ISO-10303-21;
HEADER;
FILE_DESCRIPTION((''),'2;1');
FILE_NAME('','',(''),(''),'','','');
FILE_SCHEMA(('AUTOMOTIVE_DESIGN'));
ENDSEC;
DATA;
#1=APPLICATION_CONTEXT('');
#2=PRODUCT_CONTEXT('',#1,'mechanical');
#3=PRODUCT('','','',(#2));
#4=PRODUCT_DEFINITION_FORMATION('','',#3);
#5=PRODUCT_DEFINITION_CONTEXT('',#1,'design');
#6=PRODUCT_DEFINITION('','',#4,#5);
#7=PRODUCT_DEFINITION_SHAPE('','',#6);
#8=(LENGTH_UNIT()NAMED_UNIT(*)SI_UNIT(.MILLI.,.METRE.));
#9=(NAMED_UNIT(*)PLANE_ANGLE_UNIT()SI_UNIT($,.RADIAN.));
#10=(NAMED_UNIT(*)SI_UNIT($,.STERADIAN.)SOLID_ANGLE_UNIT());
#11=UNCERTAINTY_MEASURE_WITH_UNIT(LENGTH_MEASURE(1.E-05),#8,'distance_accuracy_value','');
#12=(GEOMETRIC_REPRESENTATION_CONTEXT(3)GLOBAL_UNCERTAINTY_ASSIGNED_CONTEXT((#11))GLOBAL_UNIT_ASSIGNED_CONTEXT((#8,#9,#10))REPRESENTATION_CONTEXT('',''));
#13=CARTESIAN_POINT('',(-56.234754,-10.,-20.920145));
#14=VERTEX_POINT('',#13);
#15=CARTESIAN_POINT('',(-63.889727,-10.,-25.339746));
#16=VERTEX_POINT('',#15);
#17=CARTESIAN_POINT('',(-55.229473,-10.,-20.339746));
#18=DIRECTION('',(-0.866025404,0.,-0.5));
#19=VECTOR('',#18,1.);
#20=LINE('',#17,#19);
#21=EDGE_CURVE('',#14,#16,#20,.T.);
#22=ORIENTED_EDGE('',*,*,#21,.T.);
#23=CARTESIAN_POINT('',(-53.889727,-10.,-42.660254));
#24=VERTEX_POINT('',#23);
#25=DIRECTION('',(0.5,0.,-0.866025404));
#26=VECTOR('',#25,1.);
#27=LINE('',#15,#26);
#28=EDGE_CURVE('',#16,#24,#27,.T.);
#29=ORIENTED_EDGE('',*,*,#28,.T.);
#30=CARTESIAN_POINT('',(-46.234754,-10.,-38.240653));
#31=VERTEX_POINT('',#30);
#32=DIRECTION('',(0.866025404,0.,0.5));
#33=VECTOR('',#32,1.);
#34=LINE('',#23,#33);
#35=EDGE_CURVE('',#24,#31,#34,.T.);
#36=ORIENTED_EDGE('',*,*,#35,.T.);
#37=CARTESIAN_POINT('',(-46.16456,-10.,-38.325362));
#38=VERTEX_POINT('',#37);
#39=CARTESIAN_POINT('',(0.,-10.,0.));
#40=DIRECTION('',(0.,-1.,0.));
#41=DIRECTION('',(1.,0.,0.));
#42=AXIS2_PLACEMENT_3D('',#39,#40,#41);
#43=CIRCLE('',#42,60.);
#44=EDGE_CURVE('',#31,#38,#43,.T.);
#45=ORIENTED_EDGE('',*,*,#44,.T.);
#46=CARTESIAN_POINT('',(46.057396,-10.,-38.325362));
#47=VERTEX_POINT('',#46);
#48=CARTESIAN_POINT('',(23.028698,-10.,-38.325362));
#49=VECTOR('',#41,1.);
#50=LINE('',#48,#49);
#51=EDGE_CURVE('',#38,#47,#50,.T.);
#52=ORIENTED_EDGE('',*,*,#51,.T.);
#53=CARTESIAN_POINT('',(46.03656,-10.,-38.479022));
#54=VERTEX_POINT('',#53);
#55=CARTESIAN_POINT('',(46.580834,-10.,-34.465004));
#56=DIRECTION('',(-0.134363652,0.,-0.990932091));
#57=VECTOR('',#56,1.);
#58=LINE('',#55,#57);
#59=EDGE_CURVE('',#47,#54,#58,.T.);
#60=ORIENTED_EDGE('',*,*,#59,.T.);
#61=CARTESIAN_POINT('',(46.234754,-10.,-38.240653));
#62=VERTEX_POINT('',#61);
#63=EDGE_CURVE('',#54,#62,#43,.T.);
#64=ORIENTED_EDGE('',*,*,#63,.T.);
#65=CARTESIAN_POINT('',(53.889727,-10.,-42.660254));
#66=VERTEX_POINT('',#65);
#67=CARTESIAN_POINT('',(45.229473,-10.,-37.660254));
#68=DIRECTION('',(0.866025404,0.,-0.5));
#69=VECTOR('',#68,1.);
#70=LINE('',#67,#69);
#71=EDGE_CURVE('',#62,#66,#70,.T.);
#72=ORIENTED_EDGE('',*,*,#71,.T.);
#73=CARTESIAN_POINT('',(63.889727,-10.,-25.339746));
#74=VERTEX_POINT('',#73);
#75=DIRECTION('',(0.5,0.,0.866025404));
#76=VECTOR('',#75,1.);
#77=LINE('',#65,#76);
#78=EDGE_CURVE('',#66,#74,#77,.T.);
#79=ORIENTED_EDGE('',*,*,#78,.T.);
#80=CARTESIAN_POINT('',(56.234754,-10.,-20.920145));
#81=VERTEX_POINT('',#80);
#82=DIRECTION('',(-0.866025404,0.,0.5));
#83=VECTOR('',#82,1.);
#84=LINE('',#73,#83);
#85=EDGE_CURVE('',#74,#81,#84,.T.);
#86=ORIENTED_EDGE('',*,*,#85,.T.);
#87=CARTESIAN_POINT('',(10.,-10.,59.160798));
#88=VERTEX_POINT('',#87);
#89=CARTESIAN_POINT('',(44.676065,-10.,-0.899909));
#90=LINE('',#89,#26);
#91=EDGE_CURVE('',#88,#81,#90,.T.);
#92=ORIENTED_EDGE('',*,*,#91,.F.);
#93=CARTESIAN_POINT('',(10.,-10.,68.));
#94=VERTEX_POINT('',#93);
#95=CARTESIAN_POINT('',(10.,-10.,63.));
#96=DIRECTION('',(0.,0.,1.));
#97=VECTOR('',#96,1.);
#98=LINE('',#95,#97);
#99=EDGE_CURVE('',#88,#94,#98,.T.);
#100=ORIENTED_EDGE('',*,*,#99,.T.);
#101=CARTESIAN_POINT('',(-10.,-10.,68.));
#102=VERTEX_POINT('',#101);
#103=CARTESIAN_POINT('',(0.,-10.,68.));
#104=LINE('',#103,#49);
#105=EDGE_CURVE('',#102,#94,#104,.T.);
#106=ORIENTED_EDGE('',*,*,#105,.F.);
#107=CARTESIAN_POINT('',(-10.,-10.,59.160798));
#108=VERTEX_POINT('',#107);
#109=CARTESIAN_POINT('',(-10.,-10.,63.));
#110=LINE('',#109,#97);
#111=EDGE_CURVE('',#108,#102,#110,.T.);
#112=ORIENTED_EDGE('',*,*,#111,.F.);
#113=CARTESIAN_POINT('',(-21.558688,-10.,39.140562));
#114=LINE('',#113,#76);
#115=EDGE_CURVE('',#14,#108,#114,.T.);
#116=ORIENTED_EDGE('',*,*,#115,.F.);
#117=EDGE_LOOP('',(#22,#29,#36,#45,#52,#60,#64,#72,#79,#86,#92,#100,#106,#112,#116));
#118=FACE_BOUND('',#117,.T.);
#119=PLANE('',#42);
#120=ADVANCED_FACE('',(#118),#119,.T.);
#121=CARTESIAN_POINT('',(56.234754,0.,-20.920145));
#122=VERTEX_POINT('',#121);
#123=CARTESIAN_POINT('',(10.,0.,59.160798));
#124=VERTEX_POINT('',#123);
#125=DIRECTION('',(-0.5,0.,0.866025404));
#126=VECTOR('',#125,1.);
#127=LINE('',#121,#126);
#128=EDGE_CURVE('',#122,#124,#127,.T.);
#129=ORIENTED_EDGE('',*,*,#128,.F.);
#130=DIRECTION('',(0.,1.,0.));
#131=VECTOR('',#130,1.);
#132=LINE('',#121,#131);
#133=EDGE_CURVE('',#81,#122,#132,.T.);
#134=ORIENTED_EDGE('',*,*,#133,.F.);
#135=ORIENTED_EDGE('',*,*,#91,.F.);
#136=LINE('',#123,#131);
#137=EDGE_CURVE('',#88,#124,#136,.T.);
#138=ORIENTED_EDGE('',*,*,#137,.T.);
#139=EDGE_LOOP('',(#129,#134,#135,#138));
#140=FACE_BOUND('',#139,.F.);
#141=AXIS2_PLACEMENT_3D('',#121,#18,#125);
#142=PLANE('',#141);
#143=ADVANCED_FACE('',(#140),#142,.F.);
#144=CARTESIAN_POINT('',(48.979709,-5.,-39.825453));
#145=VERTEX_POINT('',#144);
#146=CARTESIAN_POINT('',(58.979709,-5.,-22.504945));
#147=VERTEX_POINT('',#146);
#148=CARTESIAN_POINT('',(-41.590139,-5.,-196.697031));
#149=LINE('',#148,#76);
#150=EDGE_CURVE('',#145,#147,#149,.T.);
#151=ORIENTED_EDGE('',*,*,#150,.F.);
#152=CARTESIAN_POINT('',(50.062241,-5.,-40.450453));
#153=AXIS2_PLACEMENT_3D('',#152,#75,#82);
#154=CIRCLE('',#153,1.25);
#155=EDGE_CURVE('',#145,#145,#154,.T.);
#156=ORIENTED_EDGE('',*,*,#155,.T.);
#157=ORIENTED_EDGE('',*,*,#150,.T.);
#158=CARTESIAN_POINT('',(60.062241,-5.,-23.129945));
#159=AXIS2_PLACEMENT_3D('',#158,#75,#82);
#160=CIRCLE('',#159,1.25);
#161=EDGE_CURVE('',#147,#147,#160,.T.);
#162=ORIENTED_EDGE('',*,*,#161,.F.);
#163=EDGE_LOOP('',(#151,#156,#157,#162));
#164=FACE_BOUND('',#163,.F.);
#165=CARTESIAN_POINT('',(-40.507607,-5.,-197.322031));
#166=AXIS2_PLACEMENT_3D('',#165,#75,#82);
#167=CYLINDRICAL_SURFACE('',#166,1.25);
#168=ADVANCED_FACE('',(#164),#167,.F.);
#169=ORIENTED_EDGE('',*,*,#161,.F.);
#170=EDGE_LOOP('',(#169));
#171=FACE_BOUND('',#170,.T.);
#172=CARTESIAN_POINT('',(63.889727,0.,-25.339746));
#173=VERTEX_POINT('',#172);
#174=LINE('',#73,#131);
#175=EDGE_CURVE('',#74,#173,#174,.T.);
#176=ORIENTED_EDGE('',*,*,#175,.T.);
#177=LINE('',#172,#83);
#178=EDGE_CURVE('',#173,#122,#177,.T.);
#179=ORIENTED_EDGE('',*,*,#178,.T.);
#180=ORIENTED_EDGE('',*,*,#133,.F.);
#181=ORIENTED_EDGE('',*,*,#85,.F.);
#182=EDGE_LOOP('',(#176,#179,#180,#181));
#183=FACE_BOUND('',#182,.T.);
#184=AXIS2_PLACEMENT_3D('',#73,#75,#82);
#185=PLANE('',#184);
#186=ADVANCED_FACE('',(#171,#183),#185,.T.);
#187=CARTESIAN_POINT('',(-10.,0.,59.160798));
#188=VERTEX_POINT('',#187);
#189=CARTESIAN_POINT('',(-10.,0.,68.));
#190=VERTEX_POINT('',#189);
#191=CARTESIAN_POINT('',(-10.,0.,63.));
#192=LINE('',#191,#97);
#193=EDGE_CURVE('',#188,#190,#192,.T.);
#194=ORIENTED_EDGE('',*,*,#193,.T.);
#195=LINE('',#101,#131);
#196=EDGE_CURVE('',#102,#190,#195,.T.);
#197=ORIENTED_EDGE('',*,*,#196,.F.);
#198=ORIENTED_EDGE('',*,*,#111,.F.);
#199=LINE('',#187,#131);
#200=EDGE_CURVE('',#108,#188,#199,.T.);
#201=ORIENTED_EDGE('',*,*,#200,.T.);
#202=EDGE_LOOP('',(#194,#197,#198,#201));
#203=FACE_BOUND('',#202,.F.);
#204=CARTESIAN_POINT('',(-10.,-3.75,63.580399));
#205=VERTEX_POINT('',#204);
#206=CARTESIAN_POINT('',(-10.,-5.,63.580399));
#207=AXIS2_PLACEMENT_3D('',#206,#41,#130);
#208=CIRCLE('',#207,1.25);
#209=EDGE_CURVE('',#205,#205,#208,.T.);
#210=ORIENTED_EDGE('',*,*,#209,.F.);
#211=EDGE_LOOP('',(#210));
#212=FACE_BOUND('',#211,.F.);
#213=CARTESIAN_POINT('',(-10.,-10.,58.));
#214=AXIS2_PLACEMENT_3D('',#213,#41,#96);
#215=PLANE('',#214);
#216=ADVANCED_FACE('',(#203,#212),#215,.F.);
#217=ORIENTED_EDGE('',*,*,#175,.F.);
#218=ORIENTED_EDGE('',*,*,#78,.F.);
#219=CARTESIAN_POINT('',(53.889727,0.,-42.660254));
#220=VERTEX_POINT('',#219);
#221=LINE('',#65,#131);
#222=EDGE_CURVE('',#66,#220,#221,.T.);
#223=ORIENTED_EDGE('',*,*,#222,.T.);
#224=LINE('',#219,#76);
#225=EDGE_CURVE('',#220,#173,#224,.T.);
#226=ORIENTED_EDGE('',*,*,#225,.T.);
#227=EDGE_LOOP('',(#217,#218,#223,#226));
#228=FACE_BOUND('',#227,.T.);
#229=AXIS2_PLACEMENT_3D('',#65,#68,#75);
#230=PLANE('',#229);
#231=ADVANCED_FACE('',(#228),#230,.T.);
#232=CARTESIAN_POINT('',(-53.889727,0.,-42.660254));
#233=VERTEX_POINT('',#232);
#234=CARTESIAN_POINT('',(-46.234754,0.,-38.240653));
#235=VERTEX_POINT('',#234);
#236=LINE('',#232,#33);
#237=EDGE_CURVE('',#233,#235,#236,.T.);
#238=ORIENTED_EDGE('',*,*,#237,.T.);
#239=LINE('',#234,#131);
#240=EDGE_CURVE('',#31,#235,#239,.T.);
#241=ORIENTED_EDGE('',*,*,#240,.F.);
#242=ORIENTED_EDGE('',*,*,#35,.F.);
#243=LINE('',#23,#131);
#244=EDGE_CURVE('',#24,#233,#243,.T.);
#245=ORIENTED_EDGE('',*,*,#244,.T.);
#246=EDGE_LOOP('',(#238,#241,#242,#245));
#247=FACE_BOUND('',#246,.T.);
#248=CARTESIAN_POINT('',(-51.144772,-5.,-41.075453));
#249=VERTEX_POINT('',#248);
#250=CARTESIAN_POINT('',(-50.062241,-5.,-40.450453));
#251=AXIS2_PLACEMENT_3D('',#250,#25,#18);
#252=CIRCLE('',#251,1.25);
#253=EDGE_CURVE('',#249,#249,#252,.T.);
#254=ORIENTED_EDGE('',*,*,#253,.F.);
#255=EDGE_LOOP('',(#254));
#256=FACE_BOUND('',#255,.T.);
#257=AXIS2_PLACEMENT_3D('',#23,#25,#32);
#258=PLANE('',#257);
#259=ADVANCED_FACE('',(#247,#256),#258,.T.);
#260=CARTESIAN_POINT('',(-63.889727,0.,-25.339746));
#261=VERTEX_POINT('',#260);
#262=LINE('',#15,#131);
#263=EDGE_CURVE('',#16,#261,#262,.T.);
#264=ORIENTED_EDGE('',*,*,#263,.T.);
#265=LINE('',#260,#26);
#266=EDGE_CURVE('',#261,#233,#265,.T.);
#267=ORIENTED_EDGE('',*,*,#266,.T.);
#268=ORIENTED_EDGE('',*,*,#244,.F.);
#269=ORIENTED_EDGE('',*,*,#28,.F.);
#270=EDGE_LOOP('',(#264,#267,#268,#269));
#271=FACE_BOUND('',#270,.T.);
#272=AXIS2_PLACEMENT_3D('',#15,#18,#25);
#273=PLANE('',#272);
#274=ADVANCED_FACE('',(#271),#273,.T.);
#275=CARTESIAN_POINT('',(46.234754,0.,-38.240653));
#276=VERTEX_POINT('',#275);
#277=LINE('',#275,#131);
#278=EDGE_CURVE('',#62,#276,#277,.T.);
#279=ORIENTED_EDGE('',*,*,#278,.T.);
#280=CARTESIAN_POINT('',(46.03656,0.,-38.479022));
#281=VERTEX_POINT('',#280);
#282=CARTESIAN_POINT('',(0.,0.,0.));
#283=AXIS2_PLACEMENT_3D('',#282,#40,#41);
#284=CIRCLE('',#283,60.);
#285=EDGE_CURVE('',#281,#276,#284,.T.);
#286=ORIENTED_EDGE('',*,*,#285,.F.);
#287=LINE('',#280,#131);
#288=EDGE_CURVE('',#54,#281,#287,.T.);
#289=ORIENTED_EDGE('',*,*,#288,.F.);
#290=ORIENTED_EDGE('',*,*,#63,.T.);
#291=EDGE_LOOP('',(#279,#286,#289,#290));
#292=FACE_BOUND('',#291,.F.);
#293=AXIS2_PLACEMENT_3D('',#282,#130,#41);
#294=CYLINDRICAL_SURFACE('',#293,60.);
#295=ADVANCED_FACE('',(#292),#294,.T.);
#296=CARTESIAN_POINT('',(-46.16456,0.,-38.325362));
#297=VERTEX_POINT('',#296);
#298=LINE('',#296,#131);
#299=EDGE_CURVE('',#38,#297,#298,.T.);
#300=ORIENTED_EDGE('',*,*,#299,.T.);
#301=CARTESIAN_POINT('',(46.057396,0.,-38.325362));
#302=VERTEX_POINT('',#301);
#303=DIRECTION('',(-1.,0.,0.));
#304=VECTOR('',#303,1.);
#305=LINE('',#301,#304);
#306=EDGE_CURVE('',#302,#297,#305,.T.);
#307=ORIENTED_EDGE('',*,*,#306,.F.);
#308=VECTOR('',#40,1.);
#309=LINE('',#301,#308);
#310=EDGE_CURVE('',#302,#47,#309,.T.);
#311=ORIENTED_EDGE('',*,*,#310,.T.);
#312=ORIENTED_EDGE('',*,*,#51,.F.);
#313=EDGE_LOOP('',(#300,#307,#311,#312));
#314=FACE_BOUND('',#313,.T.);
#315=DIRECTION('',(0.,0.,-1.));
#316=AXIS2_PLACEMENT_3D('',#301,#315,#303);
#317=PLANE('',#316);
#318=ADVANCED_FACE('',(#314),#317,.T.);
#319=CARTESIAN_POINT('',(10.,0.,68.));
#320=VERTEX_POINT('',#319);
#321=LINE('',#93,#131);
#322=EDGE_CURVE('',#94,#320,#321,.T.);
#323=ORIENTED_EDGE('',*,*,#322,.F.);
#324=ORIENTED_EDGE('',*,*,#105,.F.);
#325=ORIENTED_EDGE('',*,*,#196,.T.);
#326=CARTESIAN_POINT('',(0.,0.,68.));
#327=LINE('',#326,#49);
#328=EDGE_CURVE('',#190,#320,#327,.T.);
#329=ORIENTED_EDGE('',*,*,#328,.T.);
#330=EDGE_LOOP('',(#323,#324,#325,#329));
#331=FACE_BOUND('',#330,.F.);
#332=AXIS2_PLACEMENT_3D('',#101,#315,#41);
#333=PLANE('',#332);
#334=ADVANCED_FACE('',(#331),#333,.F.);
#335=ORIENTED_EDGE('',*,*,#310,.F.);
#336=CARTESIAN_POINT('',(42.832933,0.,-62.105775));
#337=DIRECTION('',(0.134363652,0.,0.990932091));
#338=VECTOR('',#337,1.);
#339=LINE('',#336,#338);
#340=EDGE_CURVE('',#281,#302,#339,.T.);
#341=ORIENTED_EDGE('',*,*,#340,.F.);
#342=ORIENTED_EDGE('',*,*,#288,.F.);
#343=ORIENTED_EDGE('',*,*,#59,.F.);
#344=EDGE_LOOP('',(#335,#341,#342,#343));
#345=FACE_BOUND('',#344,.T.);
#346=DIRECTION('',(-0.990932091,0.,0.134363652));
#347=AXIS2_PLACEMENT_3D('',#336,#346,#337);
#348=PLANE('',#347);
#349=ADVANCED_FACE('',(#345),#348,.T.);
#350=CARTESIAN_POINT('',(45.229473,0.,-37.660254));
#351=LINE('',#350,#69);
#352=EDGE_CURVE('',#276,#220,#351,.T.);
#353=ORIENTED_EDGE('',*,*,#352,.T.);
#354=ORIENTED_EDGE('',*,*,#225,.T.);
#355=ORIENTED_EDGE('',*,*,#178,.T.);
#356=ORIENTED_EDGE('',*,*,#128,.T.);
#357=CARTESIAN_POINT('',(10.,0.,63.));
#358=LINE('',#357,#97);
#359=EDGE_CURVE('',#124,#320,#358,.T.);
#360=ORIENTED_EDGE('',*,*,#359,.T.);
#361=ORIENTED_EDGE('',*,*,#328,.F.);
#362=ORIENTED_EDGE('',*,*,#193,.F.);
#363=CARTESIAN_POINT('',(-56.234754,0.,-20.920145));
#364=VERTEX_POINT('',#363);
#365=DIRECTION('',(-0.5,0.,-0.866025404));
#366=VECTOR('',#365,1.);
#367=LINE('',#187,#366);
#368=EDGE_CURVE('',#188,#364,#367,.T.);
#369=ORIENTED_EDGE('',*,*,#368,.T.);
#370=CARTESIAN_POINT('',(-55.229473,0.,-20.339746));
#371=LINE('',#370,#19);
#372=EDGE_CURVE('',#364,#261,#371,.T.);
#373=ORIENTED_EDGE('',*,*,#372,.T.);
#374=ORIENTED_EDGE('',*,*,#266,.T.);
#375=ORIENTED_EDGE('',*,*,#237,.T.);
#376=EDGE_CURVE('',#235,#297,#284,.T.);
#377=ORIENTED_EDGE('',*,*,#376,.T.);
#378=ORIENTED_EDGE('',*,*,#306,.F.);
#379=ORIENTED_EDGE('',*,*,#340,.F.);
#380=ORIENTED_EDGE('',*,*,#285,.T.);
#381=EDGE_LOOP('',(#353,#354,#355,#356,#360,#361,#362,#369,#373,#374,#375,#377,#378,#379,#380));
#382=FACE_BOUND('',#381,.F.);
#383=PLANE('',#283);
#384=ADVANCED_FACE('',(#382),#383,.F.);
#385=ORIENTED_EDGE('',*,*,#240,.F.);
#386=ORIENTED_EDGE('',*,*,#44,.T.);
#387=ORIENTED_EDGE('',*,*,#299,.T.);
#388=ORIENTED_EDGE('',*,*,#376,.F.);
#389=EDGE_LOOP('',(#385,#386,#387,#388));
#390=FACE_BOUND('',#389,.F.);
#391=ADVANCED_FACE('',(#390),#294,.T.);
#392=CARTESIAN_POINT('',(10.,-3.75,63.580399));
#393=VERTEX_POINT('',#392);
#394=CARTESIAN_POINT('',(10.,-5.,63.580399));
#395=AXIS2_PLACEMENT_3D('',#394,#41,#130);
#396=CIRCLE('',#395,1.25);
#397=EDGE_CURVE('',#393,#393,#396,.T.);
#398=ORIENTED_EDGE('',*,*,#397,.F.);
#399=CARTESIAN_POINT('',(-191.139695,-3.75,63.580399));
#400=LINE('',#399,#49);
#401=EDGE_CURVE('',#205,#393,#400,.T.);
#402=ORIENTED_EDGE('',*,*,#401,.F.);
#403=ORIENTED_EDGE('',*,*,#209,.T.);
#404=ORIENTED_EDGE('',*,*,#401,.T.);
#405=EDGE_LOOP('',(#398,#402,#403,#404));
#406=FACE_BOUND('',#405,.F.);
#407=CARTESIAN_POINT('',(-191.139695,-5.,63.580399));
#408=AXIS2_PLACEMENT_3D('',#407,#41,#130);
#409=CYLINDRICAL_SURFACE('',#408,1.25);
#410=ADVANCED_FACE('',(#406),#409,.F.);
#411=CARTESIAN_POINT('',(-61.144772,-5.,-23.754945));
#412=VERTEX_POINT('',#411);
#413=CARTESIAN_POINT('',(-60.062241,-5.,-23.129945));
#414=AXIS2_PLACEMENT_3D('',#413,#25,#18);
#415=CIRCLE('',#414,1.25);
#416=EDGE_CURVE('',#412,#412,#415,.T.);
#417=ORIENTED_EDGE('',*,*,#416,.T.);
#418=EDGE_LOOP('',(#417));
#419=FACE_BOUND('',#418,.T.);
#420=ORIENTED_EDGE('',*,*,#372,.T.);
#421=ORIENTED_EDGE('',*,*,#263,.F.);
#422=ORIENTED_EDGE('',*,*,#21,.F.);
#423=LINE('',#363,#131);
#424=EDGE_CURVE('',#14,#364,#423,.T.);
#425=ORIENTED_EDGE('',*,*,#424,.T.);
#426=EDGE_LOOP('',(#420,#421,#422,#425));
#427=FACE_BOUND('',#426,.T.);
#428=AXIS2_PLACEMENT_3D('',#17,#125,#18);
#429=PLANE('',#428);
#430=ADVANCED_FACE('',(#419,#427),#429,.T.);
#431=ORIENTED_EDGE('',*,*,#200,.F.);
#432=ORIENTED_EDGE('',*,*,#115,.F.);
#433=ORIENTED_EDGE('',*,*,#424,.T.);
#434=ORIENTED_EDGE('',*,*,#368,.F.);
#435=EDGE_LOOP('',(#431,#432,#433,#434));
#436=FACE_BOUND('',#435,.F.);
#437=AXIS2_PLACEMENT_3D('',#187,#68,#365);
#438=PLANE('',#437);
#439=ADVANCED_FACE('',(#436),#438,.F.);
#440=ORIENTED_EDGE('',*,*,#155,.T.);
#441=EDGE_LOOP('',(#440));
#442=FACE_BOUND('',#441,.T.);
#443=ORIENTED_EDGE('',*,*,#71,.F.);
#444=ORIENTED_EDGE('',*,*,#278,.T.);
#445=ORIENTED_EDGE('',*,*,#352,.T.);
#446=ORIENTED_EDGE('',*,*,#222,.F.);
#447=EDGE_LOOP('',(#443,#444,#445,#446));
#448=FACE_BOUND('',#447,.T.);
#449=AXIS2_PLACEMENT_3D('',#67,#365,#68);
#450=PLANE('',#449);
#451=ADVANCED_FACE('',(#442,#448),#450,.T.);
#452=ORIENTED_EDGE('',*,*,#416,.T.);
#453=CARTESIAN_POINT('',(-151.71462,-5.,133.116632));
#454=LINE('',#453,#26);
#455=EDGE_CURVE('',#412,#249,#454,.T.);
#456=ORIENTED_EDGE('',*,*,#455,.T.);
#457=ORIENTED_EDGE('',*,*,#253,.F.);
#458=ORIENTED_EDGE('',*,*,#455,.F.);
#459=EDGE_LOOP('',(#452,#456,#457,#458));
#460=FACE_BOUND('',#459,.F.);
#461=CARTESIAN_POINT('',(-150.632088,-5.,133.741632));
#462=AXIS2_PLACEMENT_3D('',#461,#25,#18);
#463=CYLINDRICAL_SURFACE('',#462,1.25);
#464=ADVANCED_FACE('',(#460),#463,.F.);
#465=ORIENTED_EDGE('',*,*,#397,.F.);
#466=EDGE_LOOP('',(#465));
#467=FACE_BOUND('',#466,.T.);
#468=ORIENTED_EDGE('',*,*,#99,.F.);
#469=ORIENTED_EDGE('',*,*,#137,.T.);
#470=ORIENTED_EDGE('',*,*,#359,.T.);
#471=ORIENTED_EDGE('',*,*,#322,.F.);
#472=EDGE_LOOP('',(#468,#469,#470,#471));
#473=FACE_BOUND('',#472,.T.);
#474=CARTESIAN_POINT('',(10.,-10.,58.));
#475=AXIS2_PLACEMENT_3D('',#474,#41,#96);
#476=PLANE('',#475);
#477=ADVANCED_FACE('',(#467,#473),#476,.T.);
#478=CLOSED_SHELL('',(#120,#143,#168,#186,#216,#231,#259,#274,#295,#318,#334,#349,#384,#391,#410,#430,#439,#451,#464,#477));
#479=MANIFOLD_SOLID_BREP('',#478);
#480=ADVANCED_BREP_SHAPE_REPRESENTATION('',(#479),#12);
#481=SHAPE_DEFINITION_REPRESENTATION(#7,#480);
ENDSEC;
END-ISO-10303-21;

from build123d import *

# Parameters (mm, degrees)
F0_R      = 60
F1_DEPTH  = 10
F2_W      = 20
F2_H      = 10
F3_DEPTH  = 10
F5_D      = 2.5
F7_D      = 2.5
F9_D      = 2.5
F11_DEPTH = 10.001
F13_DEPTH = 25


with BuildPart() as f1:
    # F0 (on Front) → F1 (new body)
    with BuildSketch(Plane.XZ):
        Circle(F0_R)
    extrude(amount=F1_DEPTH)

    # F2 (on face) → F3 (join)
    with BuildSketch(Plane.XZ.offset(10)):
        with Locations((0, 63)):
            Rectangle(F2_W, F2_H)
        Polygon((-53.8897274573, -42.6602540378), (-45.2294734195, -37.6602540378), (-55.2294734195, -20.3397459622), (-63.8897274573, -25.3397459622), align=None)
        Polygon((63.8897274573, -25.3397459622), (55.2294734195, -20.3397459622), (45.2294734195, -37.6602540378), (53.8897274573, -42.6602540378), align=None)
    extrude(amount=-F3_DEPTH)

    # F5 (through all)
    with Locations(Plane(origin=(-10, 0, 0), x_dir=(0, -1, 0), z_dir=(-1, 0, 0))):
        with Locations((5, 63.5803989155)):
            Hole(F5_D / 2)

    # F7 (through all)
    with Locations(Plane(origin=(-5, 0, 8.6602540378), x_dir=(0.8660254038, 0, 0.5), z_dir=(-0.5, 0, 0.8660254038))):
        with Locations((-63.5803989155, -5)):
            Hole(F7_D / 2)

    # F9 (through all)
    with Locations(Plane(origin=(-5, 0, -8.6602540378), x_dir=(0.8660254038, 0, -0.5), z_dir=(-0.5, 0, -0.8660254038))):
        with Locations((63.5803989155, 5)):
            Hole(F9_D / 2)

    # F10 (on face) → F11 (cut, through all)
    with BuildSketch(Plane.XZ):
        Polygon((46.057395637, -38.3253619075), (-46.2041050196, -38.3253619075), (-47.8550866246, -60.4935437441), (42.8329333663, -62.1057748795), align=None)
    extrude(amount=F11_DEPTH, mode=Mode.SUBTRACT)

    # F12 (on face) → F13 (cut)
    with BuildSketch(Plane(origin=(0, 0, 0), x_dir=(-1, 0, 0), z_dir=(0, 1, 0))):
        Polygon((10, 59.160797831), (56.2347538298, -20.9201448777), (84.3601897359, -9.6184732392), (39.3041819334, 80.4935470223), align=None)
        Polygon((-56.2347538298, -20.9201448777), (-10, 59.160797831), (-43.3372279011, 71.7235354264), (-86.677499705, -3.3440173517), align=None)
    extrude(amount=-F13_DEPTH, mode=Mode.SUBTRACT)


solid = f1.part
